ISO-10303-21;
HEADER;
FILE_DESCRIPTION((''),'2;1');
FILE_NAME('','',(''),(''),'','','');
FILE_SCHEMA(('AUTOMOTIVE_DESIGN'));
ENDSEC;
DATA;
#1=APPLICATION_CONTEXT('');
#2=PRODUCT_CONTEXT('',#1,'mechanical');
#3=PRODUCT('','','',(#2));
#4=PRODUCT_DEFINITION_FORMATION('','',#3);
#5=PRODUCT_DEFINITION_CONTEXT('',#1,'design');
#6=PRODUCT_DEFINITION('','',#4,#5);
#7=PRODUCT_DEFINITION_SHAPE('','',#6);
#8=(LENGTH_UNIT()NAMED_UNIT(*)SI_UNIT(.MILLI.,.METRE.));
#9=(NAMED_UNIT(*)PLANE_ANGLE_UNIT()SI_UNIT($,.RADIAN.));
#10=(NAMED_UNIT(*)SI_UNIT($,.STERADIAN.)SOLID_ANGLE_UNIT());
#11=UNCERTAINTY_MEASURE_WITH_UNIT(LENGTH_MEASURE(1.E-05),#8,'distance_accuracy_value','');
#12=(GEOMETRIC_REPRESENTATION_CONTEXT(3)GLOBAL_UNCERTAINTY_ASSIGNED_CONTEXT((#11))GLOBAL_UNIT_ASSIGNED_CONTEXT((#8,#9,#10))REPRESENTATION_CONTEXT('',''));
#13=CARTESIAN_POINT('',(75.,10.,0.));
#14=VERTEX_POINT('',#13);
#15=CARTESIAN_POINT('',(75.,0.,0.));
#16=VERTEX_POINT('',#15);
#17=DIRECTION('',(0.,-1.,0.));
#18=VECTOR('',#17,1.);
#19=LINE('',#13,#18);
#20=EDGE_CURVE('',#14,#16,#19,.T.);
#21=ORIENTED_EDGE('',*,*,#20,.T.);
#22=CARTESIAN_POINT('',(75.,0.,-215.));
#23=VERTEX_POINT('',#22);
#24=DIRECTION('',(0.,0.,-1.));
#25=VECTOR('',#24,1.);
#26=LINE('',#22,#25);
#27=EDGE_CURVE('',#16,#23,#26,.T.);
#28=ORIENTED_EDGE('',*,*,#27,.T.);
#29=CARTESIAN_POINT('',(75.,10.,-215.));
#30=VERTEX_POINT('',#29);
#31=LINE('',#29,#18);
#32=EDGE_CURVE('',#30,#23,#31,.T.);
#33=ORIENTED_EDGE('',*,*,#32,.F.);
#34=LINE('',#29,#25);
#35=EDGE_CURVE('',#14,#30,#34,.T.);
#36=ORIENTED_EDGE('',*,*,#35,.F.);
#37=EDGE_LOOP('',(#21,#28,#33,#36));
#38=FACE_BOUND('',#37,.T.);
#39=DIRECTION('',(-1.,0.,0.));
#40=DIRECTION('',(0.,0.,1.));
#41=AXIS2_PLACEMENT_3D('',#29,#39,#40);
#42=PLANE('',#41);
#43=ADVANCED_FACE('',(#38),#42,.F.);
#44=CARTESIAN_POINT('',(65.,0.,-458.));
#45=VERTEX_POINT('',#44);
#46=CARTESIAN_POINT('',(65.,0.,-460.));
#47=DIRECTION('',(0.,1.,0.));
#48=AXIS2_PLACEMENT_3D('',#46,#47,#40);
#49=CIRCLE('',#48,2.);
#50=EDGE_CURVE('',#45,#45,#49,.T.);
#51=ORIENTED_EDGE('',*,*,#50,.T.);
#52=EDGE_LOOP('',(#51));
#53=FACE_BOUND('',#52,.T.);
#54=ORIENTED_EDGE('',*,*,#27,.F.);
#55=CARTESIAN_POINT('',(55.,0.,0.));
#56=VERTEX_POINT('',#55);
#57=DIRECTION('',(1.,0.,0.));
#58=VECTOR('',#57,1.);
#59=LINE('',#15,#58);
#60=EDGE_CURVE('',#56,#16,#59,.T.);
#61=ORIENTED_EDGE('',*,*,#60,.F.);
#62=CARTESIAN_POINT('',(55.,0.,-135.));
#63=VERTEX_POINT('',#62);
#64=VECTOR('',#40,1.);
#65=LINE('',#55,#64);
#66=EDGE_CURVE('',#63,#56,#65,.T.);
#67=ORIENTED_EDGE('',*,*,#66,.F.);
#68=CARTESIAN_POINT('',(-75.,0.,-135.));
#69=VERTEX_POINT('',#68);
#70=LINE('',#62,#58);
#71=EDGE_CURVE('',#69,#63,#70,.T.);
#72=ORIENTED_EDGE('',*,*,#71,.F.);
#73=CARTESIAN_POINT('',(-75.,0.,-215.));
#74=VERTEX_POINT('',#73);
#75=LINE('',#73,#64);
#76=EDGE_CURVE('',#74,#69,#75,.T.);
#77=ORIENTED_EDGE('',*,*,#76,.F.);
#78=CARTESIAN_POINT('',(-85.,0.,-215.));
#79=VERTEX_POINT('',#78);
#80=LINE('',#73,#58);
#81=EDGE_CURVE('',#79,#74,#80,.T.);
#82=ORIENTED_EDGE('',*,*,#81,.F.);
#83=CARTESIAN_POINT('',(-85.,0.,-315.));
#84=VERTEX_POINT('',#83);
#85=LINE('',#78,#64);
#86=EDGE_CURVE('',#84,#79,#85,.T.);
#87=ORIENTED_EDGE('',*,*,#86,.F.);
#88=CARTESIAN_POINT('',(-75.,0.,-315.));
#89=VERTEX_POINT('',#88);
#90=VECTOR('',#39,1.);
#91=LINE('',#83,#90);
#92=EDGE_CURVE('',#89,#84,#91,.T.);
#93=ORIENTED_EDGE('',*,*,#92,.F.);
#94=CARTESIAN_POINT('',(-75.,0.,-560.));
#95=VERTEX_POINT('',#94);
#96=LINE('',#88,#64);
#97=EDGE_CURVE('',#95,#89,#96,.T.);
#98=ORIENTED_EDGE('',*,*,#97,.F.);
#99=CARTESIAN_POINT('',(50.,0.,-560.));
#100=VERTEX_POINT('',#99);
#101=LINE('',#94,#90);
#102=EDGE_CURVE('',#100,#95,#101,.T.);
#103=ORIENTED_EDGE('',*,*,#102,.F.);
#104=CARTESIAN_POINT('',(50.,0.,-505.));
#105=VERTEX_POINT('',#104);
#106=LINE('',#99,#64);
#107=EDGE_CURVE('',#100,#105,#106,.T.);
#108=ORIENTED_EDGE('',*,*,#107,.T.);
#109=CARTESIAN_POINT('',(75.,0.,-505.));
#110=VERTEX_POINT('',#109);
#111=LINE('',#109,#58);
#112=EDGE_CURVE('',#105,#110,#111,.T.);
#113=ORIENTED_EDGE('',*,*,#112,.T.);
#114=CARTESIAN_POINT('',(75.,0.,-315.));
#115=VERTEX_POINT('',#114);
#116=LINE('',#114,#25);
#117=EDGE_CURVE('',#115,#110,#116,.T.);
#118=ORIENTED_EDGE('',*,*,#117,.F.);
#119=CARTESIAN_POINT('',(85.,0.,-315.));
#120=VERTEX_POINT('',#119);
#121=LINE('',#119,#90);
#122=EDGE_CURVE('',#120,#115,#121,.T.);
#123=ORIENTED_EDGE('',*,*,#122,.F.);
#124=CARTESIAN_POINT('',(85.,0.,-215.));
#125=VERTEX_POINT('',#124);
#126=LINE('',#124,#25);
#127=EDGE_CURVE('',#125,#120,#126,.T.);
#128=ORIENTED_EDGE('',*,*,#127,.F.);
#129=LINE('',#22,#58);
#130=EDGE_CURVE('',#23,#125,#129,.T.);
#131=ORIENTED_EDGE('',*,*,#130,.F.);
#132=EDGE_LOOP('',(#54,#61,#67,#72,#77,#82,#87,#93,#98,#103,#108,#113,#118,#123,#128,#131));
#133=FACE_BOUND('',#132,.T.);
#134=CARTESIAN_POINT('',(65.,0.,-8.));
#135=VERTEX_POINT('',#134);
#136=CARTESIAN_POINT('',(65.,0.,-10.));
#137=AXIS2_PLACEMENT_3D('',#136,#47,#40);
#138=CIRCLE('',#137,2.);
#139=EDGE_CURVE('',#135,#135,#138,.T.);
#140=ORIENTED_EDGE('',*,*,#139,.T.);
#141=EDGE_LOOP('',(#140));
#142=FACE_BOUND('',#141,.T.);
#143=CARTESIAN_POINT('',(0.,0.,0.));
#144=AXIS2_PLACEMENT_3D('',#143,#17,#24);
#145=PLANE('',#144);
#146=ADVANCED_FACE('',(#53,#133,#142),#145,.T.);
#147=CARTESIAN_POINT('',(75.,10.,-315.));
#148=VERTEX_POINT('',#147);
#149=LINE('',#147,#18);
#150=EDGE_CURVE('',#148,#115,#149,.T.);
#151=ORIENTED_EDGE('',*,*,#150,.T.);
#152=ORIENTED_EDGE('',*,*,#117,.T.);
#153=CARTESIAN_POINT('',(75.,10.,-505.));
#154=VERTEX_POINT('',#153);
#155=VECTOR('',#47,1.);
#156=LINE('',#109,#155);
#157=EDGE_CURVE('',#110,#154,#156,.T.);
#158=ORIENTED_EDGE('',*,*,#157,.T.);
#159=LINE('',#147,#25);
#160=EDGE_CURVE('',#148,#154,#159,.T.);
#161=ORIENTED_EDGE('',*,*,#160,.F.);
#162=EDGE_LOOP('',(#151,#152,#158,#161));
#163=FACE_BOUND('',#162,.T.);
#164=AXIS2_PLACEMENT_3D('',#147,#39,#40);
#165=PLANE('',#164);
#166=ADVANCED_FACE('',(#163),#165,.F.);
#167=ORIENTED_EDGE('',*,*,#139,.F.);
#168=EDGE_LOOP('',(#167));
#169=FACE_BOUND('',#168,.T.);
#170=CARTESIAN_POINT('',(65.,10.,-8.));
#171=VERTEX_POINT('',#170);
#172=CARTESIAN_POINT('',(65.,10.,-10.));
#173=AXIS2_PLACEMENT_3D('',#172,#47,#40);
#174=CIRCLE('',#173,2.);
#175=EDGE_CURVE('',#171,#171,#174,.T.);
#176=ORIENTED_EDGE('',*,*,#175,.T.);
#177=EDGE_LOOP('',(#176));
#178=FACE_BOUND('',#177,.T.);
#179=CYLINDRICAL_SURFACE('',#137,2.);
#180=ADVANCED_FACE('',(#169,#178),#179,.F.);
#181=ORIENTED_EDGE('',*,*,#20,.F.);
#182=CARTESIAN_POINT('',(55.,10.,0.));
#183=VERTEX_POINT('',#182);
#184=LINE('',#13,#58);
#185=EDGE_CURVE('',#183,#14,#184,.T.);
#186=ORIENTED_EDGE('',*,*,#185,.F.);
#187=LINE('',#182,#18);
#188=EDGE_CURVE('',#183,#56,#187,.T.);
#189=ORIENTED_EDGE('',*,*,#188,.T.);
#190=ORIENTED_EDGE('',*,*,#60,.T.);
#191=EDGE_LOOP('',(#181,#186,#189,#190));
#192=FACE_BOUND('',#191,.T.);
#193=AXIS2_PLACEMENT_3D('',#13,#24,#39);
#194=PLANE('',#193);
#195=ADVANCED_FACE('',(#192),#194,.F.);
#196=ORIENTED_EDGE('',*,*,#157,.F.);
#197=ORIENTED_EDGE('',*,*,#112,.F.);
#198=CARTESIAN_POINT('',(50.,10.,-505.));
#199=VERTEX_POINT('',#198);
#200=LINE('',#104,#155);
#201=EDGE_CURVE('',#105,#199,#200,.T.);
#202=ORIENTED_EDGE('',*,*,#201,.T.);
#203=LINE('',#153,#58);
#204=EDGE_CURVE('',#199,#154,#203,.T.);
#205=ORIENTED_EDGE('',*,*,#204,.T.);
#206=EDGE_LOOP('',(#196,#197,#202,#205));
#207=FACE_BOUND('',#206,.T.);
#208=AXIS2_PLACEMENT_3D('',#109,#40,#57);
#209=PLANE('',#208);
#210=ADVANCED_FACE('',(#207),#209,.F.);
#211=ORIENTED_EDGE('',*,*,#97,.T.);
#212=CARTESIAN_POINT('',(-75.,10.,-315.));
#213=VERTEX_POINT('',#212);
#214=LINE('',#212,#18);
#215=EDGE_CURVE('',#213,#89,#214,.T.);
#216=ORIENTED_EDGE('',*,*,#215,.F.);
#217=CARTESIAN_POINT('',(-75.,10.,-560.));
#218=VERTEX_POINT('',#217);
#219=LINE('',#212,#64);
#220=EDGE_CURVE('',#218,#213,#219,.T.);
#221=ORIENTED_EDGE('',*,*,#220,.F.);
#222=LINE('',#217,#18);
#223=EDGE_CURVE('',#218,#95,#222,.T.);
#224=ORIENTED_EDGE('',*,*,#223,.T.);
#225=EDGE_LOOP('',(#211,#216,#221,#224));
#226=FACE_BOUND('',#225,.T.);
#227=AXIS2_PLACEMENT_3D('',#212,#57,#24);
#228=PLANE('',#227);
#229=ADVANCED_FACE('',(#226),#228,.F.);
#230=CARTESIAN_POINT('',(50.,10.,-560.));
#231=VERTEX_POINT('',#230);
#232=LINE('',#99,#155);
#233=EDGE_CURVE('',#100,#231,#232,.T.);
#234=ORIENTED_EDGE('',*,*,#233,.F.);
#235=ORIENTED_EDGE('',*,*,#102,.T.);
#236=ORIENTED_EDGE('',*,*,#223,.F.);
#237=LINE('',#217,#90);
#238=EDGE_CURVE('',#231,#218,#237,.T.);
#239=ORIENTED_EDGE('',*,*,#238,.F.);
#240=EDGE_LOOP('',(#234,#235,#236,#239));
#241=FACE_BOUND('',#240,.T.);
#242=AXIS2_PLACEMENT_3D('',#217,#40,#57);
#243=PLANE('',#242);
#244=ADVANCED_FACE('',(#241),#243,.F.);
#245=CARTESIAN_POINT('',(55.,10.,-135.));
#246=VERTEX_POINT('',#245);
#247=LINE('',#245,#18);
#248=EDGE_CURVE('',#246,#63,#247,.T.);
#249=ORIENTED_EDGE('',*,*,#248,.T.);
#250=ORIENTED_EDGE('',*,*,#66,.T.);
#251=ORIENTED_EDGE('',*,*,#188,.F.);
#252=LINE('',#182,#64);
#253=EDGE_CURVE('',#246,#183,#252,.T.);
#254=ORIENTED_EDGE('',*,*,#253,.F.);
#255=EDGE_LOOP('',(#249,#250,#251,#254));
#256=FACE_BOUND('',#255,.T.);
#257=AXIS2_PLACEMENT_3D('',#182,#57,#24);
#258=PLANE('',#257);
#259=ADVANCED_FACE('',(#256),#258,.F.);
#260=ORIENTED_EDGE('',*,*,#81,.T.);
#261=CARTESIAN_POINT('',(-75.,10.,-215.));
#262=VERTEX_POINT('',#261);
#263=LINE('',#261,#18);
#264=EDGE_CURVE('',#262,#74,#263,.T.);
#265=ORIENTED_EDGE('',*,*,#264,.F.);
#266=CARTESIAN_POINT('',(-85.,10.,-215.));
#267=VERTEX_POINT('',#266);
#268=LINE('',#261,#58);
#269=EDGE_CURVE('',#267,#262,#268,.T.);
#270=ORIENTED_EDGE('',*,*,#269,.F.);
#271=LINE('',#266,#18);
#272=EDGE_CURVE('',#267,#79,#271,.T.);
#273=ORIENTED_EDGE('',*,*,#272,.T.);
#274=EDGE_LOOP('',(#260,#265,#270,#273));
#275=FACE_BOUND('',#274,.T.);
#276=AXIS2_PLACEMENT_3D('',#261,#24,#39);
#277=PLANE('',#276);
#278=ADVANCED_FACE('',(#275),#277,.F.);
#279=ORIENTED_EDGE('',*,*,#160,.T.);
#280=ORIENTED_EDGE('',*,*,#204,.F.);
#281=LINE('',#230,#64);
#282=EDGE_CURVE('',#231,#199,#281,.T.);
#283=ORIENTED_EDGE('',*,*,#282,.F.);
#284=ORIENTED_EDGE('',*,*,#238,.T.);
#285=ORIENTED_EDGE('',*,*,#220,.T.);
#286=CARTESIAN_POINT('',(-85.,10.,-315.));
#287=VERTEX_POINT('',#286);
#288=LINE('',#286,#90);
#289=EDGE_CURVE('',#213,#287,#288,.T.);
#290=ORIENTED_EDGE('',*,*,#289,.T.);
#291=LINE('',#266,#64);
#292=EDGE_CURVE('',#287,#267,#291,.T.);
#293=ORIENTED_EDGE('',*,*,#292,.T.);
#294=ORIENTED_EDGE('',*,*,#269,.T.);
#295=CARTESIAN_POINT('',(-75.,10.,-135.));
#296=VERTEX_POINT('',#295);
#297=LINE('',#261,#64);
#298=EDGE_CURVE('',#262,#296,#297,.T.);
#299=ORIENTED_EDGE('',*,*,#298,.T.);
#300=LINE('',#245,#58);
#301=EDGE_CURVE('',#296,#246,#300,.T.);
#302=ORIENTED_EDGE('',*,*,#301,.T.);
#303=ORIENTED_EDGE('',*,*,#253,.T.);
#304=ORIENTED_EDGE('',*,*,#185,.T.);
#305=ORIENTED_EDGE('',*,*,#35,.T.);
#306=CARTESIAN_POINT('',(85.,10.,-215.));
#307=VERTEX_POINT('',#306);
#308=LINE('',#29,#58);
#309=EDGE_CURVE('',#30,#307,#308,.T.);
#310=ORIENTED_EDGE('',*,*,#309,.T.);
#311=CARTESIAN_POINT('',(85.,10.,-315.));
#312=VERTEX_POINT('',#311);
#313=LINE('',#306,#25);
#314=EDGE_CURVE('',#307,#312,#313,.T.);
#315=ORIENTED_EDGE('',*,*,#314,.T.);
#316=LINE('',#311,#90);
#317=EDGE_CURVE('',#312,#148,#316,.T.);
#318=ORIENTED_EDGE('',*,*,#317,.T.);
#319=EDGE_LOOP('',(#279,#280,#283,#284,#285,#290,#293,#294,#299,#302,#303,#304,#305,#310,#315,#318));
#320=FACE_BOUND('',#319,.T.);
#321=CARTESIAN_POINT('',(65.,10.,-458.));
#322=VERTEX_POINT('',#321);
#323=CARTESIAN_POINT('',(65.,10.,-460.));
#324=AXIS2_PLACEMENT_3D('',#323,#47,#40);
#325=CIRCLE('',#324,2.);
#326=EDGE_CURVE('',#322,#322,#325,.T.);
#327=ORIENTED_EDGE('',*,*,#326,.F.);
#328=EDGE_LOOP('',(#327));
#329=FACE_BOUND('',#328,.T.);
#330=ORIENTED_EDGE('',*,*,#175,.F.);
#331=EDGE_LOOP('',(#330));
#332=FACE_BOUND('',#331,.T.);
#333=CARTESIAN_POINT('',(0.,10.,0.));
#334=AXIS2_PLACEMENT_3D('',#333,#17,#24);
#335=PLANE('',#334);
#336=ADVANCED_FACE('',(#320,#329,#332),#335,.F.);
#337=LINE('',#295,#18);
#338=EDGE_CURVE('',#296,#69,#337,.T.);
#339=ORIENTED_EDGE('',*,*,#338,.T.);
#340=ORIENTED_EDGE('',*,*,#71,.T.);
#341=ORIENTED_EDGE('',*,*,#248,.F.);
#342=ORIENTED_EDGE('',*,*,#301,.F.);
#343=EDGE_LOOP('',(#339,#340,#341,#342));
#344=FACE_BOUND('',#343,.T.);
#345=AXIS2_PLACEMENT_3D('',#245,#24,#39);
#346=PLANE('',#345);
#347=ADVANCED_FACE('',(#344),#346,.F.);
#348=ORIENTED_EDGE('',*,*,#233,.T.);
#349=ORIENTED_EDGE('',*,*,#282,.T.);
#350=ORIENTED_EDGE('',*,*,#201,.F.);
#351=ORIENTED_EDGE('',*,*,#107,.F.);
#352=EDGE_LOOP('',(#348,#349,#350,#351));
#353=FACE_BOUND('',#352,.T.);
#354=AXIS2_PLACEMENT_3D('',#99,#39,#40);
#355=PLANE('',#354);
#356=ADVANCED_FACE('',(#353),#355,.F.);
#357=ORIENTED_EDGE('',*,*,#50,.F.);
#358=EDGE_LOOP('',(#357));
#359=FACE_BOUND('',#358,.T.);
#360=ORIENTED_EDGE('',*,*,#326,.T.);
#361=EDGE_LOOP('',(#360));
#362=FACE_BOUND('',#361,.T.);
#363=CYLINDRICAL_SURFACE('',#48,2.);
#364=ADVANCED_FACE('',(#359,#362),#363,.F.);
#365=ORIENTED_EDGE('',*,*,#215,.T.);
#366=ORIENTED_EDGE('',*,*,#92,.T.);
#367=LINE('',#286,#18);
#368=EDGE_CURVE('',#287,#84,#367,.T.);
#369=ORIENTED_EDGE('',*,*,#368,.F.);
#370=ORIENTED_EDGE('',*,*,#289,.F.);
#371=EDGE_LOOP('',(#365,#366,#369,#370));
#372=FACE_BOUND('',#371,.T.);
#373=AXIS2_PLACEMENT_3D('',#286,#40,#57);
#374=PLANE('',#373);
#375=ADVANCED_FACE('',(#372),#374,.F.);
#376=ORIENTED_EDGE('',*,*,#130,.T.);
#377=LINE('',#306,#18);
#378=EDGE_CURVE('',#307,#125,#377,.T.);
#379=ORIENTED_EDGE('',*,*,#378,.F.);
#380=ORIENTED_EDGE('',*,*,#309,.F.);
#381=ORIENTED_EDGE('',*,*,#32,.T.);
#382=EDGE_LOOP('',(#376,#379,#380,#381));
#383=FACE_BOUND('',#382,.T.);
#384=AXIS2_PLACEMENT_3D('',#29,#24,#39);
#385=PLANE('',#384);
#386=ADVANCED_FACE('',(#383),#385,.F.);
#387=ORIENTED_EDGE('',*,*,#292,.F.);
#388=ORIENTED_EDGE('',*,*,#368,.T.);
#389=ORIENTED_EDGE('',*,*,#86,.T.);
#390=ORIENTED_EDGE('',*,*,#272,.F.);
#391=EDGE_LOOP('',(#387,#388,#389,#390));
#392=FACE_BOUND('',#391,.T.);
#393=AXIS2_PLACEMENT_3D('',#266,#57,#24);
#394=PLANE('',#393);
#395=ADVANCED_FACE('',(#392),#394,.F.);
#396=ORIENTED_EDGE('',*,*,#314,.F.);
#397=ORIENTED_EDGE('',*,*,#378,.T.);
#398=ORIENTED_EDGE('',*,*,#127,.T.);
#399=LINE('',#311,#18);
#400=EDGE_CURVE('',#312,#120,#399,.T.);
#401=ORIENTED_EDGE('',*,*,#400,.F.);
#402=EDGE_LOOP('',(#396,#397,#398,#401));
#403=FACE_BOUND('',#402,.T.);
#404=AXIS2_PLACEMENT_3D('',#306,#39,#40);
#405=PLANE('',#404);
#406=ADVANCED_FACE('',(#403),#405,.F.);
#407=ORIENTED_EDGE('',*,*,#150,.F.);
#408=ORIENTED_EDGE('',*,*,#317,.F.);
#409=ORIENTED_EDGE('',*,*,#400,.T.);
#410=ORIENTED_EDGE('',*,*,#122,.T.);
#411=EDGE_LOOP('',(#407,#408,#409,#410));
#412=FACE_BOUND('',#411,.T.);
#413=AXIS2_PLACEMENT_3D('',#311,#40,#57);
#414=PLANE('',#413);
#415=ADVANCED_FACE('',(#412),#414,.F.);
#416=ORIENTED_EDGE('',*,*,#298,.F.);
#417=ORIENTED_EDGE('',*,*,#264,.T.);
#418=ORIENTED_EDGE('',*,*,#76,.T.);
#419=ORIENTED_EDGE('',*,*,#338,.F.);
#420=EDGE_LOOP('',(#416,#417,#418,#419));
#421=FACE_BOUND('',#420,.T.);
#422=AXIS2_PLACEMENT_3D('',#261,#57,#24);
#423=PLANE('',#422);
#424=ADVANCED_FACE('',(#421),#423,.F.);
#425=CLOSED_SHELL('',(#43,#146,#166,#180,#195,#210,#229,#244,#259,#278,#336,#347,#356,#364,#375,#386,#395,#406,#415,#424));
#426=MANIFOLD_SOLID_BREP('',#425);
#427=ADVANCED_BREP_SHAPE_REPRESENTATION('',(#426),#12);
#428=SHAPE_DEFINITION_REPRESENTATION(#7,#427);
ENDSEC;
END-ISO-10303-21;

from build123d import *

# Parameters (mm, degrees)
BOSS_EXTRUDE1_DEPTH = 10
SKETCH2_R           = 2
SKETCH2_W           = 25
SKETCH2_H           = 55
CUT_EXTRUDE1_DEPTH  = 10


with BuildPart() as part:
    # Sketch1 → Boss-Extrude1 (new body)
    with BuildSketch(Plane(origin=(0, 0, 0), x_dir=(1, 0, 0), z_dir=(0, 1, 0))):
        Polygon((-75, 215), (-75, 135), (55, 135), (55, 0), (75, 0), (75, 215), (85, 215), (85, 315), (75, 315), (75, 560), (-75, 560), (-75, 315), (-85, 315), (-85, 215), align=None)
    extrude(amount=BOSS_EXTRUDE1_DEPTH)

    # Sketch2 → Cut-Extrude1 (cut)
    with BuildSketch(Plane(origin=(0, 10, 0), x_dir=(1, 0, 0), z_dir=(0, 1, 0))):
        with Locations((65, 10)):
            Circle(SKETCH2_R)
        with Locations((65, 460)):
            Circle(SKETCH2_R)
        with Locations((62.5, 532.5)):
            Rectangle(SKETCH2_W, SKETCH2_H)
    extrude(amount=-CUT_EXTRUDE1_DEPTH, mode=Mode.SUBTRACT)


solid = part.part
